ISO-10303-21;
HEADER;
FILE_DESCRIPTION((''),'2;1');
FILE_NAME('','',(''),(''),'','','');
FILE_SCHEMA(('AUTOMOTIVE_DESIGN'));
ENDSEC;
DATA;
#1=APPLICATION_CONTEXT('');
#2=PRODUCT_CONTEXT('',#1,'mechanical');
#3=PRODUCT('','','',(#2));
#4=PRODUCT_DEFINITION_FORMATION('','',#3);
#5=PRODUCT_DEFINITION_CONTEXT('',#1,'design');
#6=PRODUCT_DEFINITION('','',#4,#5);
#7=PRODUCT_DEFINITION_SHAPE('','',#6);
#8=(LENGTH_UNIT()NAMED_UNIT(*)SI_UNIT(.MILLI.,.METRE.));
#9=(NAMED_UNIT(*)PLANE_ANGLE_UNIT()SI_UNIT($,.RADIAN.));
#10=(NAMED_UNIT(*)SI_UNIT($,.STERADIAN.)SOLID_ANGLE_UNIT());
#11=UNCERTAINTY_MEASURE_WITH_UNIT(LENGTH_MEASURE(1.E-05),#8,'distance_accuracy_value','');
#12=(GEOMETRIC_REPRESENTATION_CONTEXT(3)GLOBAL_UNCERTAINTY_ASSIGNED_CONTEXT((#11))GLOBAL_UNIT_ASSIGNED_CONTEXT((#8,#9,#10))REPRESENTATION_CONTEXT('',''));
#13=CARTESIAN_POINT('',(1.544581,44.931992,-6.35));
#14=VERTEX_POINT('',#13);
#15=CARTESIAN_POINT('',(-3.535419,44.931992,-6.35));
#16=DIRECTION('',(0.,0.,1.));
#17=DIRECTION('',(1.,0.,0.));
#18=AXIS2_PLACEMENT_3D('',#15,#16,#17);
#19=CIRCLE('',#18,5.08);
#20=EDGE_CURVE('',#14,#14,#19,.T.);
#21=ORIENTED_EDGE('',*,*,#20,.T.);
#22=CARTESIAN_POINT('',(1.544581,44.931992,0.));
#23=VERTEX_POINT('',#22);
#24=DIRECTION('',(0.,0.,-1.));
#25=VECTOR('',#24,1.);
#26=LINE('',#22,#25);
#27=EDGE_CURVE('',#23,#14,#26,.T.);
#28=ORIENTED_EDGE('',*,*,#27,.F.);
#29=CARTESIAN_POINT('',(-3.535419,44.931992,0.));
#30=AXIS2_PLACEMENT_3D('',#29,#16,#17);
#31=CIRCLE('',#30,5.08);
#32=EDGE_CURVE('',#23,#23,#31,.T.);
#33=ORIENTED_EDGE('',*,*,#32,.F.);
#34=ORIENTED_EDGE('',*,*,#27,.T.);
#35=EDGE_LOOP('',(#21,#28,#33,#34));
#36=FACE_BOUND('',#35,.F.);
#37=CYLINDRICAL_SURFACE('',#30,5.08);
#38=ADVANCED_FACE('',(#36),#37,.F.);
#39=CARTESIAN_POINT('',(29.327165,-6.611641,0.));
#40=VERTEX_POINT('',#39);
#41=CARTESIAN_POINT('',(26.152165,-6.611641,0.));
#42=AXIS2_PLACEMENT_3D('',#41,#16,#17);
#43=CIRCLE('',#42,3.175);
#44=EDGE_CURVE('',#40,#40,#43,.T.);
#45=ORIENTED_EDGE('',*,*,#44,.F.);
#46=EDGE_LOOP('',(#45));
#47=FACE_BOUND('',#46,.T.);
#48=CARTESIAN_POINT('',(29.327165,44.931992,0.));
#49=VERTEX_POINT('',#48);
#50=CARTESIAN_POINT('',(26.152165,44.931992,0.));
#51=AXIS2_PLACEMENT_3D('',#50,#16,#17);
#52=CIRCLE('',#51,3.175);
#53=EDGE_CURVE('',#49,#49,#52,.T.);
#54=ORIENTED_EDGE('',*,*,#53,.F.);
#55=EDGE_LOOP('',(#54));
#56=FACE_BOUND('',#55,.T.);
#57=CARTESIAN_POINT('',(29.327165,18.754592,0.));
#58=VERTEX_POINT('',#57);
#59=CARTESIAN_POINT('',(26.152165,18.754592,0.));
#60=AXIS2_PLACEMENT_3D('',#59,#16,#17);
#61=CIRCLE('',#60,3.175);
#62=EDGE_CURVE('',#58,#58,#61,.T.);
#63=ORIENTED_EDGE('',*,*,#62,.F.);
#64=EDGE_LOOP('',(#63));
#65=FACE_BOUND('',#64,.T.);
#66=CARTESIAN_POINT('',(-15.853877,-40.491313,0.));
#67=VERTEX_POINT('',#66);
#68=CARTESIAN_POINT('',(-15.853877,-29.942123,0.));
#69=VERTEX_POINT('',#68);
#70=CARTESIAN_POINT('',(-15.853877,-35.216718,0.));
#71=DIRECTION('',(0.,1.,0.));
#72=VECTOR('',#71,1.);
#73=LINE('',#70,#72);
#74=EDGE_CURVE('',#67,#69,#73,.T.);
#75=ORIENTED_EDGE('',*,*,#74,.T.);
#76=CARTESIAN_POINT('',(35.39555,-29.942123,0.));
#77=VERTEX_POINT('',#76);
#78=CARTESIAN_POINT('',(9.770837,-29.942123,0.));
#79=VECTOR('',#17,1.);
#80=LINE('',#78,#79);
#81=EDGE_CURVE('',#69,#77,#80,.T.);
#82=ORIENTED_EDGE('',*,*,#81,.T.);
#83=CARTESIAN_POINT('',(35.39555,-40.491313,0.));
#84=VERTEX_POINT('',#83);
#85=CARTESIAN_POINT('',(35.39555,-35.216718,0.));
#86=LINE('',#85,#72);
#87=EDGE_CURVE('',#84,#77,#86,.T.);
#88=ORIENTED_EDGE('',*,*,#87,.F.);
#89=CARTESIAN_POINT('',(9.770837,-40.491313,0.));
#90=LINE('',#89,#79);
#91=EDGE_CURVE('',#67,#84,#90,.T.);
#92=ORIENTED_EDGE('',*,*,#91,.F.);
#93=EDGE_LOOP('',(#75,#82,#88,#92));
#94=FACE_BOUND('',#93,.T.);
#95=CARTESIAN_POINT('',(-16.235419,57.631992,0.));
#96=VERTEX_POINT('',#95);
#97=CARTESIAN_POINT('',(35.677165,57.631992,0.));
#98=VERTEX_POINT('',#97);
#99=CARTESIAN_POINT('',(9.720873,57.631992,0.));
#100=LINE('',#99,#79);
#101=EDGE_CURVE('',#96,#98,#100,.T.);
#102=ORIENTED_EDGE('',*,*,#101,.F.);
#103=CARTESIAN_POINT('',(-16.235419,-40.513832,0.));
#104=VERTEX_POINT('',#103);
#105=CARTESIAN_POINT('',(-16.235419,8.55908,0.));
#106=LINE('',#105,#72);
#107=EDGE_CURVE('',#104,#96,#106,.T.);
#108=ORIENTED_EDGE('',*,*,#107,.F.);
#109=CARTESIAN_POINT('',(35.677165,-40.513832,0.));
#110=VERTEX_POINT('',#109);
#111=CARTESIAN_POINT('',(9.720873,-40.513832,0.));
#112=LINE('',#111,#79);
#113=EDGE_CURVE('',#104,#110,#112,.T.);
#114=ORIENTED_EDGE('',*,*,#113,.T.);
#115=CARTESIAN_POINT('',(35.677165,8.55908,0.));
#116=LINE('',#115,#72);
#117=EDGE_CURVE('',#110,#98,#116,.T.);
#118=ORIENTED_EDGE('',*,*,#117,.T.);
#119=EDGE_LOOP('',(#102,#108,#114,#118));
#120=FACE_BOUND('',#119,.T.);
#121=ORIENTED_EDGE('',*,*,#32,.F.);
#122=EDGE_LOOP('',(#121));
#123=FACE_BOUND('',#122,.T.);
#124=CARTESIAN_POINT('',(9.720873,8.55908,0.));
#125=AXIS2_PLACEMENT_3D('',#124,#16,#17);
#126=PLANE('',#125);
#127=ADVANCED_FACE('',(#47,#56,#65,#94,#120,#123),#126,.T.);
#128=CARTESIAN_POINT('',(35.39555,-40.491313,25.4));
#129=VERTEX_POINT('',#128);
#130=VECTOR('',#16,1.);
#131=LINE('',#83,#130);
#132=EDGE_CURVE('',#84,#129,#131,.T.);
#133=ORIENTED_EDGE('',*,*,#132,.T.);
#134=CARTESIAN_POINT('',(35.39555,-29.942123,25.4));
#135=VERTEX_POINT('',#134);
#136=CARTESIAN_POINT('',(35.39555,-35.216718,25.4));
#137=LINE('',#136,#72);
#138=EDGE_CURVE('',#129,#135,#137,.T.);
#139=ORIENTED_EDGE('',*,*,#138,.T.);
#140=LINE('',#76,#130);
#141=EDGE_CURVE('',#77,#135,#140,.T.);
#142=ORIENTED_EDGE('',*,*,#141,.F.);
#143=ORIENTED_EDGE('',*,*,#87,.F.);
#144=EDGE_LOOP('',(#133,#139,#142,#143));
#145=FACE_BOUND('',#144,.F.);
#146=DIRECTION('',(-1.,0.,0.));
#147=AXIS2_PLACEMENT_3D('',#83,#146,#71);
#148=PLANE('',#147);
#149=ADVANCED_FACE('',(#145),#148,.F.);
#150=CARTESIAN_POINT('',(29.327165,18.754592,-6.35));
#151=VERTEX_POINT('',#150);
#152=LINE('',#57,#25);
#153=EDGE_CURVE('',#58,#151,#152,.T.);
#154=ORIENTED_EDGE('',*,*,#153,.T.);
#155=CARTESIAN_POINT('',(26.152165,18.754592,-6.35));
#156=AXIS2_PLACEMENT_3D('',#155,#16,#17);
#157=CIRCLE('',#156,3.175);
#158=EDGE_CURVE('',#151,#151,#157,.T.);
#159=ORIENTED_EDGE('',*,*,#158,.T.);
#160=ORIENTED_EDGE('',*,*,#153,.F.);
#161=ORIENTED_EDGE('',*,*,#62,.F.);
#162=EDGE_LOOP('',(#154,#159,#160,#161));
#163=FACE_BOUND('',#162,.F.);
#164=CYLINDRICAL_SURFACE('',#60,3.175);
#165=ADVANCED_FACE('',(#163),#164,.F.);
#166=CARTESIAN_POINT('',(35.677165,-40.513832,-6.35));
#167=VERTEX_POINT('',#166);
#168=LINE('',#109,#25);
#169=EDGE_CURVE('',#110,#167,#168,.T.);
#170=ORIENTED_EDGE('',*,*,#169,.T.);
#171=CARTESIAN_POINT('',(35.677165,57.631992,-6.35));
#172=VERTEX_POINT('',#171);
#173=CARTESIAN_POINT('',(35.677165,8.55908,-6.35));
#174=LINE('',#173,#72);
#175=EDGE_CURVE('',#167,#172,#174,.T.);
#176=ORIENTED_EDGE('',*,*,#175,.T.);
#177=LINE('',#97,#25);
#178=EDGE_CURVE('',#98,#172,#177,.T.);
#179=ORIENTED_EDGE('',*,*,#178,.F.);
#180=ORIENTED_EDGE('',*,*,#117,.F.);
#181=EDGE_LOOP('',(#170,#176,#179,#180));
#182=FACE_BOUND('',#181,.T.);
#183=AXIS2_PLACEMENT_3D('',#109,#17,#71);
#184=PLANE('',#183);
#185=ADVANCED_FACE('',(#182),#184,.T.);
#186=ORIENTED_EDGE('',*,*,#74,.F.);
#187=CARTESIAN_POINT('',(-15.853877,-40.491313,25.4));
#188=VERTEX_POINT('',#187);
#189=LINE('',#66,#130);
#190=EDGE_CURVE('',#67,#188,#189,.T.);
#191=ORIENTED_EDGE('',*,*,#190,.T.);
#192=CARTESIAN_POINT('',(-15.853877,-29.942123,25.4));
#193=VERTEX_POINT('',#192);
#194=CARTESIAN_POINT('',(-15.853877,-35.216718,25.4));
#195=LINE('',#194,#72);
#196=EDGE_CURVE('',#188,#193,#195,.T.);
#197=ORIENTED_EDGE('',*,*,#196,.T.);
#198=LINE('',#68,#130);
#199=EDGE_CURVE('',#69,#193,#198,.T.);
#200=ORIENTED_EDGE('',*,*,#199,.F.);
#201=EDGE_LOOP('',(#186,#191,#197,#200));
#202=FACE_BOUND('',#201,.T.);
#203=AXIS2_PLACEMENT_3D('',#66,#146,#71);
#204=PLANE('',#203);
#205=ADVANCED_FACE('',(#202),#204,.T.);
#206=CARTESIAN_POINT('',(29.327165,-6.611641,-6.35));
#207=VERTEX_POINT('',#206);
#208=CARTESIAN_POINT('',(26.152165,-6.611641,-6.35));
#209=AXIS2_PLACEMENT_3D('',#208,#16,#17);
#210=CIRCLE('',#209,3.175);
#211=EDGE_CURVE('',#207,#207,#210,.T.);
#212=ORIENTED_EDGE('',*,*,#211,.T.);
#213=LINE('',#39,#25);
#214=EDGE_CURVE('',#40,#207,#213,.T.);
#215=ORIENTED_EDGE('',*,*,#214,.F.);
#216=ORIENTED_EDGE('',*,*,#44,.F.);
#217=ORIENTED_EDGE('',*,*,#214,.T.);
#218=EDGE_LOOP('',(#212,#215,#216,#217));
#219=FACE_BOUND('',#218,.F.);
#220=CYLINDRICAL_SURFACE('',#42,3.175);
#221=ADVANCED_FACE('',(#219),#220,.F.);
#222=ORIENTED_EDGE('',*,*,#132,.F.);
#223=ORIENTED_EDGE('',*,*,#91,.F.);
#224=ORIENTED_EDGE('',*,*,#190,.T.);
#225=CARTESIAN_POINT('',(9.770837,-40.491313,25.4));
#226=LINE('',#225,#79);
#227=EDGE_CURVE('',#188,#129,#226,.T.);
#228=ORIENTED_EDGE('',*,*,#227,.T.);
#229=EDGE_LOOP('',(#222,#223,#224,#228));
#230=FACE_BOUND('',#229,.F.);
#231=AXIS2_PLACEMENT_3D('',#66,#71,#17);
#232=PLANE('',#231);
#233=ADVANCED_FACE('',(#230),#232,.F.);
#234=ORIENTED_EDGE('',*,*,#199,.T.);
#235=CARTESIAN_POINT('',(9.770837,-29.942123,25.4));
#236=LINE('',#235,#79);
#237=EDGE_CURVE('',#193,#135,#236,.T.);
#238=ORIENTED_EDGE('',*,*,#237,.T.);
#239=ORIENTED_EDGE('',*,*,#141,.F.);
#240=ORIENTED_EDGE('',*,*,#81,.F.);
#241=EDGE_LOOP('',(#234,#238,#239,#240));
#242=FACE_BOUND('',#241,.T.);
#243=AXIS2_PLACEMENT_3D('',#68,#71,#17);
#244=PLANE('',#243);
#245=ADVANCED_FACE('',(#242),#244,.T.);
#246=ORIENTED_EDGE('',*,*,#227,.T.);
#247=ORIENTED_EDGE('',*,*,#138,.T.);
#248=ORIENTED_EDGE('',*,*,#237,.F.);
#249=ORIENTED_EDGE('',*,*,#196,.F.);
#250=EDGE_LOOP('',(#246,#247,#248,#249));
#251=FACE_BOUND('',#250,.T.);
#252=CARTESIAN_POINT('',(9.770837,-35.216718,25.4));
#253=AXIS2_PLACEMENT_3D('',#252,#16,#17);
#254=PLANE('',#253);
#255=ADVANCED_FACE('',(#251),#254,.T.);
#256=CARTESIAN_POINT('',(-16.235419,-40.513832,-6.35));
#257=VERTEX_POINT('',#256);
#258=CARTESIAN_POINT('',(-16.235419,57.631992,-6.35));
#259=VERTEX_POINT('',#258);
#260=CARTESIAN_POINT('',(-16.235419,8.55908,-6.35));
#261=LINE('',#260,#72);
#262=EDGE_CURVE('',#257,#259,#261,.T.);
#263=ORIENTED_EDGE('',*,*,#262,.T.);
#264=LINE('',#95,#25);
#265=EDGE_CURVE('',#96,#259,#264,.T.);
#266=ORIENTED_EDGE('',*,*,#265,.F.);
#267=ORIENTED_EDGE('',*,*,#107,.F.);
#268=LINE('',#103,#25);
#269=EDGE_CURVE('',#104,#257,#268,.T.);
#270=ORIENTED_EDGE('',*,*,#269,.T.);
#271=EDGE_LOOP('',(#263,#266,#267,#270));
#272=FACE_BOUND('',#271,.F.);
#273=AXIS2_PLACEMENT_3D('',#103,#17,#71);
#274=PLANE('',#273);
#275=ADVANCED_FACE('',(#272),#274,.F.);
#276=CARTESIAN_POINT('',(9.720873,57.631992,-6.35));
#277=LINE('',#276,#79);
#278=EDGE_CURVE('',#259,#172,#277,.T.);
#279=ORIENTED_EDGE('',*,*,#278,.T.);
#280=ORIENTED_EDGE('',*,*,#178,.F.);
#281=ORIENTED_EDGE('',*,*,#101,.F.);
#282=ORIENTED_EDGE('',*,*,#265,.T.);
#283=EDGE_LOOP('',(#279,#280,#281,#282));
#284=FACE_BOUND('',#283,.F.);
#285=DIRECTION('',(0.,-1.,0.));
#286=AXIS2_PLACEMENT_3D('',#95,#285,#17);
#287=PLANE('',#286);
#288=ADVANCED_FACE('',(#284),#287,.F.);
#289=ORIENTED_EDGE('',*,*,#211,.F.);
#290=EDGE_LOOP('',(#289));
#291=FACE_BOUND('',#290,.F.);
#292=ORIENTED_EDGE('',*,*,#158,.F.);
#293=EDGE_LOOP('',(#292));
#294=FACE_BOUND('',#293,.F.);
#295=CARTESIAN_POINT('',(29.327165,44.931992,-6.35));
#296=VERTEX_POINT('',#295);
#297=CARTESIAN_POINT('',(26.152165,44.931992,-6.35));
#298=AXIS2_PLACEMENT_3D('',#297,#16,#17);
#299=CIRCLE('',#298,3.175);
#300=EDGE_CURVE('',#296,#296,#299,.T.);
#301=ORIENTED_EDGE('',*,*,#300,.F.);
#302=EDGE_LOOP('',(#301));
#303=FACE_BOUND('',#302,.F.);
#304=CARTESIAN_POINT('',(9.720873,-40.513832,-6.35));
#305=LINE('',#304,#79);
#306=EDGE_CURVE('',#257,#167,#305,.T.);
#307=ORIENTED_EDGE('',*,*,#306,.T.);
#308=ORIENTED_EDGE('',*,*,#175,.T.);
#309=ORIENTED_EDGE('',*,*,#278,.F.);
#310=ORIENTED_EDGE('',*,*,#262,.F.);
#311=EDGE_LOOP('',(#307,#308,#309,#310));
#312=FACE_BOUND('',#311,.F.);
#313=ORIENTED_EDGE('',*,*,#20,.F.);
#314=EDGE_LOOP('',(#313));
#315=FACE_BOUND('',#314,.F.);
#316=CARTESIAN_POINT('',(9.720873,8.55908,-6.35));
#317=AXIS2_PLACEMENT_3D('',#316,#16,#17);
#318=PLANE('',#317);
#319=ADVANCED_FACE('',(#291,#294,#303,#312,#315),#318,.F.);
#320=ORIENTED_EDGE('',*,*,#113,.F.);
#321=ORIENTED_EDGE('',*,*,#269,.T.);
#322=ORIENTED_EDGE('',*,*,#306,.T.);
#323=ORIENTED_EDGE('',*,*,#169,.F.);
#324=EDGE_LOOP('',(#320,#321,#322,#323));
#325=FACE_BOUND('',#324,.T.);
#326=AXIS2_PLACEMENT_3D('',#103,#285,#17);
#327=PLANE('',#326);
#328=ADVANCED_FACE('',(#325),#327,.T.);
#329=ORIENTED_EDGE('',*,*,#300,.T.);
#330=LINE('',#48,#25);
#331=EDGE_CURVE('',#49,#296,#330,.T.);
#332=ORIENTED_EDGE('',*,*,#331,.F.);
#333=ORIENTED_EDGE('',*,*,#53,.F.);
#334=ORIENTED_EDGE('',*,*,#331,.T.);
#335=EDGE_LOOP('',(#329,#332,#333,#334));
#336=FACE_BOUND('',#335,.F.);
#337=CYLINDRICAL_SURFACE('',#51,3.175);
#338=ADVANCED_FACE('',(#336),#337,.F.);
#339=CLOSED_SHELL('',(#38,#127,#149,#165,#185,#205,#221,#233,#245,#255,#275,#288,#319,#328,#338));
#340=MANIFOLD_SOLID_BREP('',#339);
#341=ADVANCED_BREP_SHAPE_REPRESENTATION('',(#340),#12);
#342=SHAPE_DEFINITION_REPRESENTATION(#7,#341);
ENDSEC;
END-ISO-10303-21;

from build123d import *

# Parameters (mm, degrees)
F1_W     = 51.249427
F1_H     = 10.54919
F2_DEPTH = 25.4
F0_W     = 51.912584
F0_H     = 98.145824
F3_DEPTH = 6.35
F4_R     = 5.08
F4_R_2   = 3.175
F5_DEPTH = 27.432


with BuildPart() as f2:
    # F1 (on Top) → F2 (new body)
    with BuildSketch(Plane.XY):
        with Locations((9.770837, -35.216718)):
            Rectangle(F1_W, F1_H)
    extrude(amount=F2_DEPTH)

    # F0 (on Top) → F3 (join)
    with BuildSketch(Plane.XY):
        with Locations((9.720873, 8.55908)):
            Rectangle(F0_W, F0_H)
    extrude(amount=-F3_DEPTH)

    # F4 (on face) → F5 (cut)
    with BuildSketch(Plane.XY):
        with Locations((-3.535419, 44.931992)):
            Circle(F4_R)
        with Locations((26.152165, 44.931992)):
            Circle(F4_R_2)
        with Locations((26.152165, 18.754592)):
            Circle(F4_R_2)
        with Locations((26.152165, -6.611641)):
            Circle(F4_R_2)
    extrude(amount=-F5_DEPTH, mode=Mode.SUBTRACT)


solid = f2.part
